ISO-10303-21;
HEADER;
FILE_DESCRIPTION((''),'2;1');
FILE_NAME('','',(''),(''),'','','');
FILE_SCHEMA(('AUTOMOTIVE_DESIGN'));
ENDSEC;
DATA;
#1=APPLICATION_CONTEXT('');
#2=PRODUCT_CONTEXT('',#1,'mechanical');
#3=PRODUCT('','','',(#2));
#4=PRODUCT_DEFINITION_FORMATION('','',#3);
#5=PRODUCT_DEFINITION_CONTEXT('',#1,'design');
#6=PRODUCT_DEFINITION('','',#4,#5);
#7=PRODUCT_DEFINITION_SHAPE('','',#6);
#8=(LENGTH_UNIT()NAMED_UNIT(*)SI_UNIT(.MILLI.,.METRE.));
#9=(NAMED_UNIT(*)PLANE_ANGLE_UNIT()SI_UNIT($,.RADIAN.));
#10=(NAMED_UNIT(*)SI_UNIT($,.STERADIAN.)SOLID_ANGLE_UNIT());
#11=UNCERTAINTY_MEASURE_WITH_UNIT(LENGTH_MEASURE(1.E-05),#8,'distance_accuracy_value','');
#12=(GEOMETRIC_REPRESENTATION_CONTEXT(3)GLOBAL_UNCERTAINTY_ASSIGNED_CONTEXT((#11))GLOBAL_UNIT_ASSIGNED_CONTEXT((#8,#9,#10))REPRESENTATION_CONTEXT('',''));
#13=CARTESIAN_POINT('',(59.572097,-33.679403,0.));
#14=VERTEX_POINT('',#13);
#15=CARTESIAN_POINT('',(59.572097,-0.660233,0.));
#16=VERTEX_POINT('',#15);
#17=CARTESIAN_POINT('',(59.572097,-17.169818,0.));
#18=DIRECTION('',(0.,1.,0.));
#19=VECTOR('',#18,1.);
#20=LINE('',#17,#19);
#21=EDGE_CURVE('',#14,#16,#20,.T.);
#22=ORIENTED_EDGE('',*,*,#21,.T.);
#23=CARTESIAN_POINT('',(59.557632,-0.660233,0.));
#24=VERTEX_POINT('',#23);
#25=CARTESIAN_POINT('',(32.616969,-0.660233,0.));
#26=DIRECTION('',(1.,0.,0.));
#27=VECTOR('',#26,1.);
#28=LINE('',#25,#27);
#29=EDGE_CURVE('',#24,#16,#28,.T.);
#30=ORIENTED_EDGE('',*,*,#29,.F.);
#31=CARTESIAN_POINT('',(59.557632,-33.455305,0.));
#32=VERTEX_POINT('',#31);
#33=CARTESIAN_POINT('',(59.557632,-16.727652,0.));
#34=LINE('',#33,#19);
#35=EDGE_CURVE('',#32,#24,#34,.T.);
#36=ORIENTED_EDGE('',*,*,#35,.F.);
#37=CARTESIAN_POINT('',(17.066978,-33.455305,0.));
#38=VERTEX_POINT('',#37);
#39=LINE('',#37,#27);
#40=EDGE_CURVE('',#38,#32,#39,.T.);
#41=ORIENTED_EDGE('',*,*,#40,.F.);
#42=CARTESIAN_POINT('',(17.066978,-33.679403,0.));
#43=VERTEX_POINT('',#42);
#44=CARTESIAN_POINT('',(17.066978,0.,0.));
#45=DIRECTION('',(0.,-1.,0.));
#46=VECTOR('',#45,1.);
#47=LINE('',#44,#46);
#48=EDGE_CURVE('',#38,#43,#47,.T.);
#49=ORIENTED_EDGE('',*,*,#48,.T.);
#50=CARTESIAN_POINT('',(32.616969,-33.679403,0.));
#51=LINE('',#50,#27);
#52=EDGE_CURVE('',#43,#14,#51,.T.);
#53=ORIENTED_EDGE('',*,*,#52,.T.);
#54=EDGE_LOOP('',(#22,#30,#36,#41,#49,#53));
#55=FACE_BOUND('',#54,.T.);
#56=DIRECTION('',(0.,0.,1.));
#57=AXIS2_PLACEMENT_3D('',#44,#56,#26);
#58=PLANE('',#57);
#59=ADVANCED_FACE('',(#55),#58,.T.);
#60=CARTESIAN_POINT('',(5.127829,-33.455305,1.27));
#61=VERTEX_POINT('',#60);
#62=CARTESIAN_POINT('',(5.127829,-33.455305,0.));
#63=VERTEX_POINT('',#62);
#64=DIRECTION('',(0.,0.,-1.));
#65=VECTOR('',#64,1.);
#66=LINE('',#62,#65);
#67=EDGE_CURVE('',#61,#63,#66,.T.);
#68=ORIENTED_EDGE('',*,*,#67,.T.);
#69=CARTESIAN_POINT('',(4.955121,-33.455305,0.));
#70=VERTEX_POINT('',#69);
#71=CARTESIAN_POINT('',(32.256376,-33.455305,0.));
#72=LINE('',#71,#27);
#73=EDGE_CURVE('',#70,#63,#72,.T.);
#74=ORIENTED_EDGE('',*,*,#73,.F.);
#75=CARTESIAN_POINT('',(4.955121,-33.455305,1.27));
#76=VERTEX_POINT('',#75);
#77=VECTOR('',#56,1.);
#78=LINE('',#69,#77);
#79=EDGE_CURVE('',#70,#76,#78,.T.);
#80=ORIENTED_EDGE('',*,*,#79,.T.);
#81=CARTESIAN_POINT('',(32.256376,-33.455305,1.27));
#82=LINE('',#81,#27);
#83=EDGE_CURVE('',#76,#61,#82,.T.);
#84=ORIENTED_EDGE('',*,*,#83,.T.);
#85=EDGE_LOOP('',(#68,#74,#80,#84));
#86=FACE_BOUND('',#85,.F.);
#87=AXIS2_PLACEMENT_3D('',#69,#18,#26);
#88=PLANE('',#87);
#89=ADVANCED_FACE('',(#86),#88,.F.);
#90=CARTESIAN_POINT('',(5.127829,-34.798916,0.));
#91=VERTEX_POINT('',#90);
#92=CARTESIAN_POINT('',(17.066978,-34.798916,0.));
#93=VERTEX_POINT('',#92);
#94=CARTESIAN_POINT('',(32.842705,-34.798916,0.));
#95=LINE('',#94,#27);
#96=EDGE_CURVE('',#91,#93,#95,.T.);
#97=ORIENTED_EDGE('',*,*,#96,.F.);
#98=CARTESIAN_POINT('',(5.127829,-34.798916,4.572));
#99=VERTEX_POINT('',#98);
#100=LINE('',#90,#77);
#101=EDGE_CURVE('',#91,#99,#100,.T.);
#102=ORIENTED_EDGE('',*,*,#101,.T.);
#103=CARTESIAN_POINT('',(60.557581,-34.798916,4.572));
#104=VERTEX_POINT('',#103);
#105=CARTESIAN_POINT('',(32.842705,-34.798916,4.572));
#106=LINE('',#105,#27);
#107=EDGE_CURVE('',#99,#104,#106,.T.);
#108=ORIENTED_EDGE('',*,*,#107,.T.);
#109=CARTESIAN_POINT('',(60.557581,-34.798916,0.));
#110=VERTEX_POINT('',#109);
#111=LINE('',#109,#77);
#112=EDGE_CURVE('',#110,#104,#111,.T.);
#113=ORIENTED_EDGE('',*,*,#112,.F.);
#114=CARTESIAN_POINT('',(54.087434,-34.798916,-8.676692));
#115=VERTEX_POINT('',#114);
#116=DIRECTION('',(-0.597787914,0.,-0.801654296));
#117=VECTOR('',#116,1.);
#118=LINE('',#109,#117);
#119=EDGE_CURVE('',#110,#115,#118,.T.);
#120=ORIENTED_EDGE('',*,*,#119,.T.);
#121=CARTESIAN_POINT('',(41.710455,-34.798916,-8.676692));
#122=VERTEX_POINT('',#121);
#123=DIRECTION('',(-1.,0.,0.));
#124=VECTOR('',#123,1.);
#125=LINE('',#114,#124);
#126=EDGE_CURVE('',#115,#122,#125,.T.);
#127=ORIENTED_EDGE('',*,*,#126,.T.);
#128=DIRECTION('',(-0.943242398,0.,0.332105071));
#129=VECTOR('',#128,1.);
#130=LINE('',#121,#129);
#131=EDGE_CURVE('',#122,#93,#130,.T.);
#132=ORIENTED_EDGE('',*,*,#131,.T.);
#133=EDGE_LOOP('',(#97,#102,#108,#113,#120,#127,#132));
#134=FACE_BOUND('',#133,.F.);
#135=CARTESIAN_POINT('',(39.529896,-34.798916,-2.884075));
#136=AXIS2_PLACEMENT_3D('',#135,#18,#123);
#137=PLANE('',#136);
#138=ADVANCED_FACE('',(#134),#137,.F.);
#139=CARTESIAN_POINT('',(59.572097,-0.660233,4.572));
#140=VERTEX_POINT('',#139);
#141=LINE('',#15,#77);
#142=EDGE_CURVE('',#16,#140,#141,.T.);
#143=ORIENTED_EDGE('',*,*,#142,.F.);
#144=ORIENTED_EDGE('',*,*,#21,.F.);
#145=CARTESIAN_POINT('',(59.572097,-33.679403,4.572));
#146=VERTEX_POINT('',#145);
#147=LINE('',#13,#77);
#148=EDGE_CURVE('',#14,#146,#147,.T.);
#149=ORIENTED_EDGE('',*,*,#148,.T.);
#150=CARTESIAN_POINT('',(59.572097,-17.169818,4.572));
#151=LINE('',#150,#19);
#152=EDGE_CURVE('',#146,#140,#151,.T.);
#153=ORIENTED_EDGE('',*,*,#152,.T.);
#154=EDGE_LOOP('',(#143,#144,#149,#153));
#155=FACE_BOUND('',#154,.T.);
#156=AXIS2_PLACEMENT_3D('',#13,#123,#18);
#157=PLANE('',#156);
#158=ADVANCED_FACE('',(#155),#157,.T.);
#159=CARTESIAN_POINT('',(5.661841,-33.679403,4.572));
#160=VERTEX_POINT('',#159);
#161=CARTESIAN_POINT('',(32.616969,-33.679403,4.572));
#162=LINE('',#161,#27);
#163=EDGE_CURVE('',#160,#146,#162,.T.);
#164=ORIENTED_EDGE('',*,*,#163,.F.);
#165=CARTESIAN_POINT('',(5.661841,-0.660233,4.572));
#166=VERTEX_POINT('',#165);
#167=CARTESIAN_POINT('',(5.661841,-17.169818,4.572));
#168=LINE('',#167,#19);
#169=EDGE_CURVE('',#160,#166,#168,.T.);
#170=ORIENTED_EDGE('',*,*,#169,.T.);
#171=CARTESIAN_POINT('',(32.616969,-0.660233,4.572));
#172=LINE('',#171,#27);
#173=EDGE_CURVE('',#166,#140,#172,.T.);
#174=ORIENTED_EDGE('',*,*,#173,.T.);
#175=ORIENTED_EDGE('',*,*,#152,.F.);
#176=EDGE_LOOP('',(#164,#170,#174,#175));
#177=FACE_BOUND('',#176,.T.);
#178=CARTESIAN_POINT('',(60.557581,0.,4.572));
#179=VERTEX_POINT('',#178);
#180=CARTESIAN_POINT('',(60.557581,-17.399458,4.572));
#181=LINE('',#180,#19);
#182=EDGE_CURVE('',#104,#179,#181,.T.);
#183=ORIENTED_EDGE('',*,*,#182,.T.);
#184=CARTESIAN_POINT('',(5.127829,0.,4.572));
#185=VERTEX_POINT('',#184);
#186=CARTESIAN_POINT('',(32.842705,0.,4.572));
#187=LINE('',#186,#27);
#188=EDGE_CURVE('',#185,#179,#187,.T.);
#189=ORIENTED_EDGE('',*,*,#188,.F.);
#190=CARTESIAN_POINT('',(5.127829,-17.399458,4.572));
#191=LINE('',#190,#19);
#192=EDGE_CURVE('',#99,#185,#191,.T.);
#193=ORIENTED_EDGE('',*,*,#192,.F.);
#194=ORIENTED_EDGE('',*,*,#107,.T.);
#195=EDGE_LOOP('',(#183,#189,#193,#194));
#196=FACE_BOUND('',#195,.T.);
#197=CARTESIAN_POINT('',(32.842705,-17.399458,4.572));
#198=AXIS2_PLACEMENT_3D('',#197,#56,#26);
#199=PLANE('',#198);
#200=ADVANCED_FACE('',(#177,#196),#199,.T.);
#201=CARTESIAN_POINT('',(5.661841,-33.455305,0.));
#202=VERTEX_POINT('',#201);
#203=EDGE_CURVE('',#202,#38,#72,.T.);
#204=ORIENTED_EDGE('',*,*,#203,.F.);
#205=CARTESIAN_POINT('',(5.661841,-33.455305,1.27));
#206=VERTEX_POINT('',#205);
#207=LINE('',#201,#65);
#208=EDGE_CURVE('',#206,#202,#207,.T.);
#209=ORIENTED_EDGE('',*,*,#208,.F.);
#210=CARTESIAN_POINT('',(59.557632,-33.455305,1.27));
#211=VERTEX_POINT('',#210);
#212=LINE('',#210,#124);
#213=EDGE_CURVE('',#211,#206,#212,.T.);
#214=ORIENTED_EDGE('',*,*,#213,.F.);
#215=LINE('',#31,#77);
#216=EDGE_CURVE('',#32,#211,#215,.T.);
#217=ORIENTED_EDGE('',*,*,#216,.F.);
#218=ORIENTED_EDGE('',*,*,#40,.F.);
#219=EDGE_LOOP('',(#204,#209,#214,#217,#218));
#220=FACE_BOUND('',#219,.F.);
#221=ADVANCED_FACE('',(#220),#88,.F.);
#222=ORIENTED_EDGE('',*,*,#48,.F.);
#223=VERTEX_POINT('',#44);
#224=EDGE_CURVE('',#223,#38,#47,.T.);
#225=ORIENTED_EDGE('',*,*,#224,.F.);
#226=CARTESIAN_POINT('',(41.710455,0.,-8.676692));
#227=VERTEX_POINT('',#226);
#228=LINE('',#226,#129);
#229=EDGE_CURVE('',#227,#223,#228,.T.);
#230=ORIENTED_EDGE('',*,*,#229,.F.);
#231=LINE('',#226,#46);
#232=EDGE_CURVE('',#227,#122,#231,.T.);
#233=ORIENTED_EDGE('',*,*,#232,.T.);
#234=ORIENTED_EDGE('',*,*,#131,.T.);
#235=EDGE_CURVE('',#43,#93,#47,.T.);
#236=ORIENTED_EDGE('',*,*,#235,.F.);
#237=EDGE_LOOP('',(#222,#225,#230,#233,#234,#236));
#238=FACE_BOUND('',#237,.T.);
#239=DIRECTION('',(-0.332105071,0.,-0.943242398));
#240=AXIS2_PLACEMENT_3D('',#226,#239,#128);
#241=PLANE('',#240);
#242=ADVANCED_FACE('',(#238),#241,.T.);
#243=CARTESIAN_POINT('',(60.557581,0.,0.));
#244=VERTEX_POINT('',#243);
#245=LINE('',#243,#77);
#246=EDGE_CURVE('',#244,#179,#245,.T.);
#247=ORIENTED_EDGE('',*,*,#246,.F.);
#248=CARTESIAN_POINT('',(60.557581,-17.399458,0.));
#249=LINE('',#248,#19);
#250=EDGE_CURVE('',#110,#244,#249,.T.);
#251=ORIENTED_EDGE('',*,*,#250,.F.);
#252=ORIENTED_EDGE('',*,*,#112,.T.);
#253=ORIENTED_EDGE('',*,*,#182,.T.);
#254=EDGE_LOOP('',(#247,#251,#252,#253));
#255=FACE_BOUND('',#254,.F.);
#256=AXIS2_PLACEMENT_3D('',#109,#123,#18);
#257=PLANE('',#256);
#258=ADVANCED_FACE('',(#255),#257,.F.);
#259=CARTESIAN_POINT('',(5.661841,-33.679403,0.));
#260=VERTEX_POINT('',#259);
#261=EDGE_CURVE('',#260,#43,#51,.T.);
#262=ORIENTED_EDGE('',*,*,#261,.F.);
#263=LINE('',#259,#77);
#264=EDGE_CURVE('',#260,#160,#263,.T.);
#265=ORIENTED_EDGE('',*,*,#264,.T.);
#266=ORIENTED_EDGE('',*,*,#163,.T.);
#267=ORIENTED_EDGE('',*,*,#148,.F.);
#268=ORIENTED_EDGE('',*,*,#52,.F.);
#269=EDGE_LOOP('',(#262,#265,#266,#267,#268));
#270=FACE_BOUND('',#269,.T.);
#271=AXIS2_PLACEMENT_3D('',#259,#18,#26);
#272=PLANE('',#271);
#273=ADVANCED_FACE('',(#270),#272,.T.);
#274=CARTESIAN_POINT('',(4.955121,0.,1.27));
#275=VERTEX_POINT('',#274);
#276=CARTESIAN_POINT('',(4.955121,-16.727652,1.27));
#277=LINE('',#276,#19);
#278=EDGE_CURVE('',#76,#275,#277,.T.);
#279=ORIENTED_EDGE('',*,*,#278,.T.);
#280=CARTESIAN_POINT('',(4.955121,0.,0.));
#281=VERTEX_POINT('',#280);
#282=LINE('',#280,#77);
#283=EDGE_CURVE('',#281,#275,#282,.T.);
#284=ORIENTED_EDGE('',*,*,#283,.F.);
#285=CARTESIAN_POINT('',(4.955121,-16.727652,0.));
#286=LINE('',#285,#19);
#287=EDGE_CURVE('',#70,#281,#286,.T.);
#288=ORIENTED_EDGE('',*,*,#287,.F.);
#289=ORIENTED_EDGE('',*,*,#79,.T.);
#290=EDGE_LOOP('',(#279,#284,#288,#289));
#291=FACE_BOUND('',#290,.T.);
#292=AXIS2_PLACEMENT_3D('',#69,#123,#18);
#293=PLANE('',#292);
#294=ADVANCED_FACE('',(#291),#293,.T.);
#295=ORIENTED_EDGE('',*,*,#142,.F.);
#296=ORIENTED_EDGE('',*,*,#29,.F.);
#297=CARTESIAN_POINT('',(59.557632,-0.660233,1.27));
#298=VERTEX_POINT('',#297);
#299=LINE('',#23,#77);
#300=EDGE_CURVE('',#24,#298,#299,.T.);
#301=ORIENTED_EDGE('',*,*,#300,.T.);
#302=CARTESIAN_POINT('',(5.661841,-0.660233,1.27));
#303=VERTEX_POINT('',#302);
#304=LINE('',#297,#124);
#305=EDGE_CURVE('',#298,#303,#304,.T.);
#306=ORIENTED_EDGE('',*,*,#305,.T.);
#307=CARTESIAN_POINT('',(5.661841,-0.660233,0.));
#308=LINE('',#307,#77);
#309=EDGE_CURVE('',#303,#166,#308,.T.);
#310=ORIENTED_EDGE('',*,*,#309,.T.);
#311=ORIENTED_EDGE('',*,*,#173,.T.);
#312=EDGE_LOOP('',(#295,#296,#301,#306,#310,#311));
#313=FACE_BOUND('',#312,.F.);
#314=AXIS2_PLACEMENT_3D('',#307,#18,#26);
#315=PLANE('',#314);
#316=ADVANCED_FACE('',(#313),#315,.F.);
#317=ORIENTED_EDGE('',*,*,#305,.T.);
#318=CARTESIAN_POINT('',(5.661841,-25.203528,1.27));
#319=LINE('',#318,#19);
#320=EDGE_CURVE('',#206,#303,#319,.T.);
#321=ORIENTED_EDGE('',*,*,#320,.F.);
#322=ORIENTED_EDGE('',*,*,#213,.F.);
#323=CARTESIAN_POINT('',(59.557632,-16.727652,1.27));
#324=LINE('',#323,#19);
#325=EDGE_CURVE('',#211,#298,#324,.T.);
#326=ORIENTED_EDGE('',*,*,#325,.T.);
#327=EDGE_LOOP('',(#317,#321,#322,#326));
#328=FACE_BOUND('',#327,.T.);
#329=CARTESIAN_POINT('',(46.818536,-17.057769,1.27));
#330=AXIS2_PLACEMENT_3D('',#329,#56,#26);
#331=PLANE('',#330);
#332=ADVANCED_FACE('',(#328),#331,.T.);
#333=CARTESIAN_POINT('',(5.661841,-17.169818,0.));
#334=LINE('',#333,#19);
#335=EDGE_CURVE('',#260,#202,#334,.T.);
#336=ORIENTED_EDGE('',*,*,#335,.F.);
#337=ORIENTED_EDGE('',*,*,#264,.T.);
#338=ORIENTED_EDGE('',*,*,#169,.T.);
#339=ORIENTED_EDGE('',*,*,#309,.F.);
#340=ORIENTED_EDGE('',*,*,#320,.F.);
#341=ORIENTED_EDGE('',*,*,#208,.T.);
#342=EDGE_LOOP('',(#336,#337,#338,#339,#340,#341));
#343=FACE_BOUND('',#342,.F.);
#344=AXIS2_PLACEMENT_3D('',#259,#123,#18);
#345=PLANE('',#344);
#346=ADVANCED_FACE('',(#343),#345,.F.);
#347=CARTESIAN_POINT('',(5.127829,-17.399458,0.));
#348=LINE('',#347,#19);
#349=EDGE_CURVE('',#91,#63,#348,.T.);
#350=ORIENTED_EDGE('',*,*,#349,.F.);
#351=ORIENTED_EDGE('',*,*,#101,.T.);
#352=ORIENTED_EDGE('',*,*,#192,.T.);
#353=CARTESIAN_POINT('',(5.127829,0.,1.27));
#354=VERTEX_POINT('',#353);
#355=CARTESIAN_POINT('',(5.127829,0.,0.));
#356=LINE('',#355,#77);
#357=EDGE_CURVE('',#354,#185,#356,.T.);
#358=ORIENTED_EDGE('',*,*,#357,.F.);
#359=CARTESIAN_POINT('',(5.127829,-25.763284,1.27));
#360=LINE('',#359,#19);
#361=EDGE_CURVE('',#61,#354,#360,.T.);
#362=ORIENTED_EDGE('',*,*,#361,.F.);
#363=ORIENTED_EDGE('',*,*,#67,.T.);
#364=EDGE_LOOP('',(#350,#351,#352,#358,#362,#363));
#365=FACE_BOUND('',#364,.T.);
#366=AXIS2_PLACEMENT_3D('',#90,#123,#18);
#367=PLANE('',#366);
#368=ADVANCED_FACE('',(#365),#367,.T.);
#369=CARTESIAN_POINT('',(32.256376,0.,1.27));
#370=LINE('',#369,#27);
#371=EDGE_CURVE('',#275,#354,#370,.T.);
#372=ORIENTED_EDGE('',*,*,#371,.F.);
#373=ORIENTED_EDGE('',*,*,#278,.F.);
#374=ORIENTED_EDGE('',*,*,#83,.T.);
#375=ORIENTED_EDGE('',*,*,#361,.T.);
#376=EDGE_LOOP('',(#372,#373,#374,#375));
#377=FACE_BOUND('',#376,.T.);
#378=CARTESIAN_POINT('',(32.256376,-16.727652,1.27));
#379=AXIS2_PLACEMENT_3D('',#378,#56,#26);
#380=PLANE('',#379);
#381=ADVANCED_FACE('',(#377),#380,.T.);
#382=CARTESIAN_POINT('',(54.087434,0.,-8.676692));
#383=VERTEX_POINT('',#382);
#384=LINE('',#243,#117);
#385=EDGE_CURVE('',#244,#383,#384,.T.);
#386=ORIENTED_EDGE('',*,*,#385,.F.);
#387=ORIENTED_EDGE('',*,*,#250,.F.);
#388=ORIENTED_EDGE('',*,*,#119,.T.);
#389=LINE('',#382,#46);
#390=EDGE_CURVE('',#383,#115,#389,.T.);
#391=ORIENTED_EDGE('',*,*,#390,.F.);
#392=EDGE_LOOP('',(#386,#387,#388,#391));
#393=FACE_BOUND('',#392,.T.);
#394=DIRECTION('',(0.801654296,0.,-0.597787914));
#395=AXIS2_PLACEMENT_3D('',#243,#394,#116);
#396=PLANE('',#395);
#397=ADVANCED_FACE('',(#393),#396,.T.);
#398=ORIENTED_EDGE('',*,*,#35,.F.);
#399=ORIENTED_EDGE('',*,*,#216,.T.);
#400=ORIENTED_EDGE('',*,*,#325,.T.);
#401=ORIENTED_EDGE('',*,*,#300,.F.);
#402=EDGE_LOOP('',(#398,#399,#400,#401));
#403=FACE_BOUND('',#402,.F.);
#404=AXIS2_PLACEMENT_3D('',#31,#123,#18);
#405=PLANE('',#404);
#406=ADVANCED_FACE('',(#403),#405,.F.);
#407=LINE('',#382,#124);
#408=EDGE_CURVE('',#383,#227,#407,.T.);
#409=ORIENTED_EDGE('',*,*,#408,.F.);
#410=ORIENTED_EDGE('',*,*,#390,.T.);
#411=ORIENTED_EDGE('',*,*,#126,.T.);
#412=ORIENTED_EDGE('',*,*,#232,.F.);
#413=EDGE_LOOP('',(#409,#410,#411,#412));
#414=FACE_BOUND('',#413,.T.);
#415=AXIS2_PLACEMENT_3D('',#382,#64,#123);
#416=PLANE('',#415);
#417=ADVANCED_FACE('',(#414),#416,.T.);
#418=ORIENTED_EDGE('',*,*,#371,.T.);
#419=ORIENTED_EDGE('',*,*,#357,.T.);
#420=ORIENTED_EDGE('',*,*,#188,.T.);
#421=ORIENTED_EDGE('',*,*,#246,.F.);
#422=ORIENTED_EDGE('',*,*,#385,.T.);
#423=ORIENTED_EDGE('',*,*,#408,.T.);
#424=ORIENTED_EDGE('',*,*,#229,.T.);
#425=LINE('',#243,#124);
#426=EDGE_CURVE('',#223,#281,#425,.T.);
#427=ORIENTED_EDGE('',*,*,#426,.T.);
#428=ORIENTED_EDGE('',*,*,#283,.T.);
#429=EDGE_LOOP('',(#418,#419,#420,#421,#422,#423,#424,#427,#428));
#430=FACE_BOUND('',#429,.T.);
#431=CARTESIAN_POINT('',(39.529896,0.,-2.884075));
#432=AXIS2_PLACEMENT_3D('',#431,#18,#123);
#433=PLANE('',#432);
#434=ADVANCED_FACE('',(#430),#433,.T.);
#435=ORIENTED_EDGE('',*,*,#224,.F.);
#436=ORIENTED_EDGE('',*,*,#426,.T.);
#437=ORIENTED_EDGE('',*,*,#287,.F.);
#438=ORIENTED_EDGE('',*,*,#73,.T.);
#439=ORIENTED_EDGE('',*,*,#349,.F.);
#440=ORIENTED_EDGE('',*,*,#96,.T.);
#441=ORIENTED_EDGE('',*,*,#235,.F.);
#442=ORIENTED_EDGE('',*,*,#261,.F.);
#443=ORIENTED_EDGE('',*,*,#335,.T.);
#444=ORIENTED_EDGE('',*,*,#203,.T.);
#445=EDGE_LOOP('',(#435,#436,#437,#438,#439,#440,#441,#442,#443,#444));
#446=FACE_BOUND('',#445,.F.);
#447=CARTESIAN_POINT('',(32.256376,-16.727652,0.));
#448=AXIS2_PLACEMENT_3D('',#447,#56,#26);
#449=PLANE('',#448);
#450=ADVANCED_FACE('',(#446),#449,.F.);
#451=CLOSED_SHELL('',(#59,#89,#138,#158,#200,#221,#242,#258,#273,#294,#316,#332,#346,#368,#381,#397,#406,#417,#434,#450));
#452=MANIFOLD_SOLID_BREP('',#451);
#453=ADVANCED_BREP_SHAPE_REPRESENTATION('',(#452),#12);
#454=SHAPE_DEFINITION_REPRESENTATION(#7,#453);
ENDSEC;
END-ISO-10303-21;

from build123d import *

# Parameters (mm, degrees)
F0_W     = 55.4297519848
F0_H     = 34.7989164293
F0_W_2   = 53.9102558978
F0_H_2   = 33.0191702233
F1_DEPTH = 4.572
F2_W     = 54.6025102958
F2_H     = 33.4553048015
F3_DEPTH = 1.27
F5_DEPTH = 34.7989164293
F6_W     = 13.8362795115
F6_H     = 32.7950716601
F7_DEPTH = 8.382


with BuildPart() as f1:
    # F0 (on Top) → F1 (new body)
    with BuildSketch(Plane.XY):
        with Locations((32.8427054919, -17.3994582146)):
            Rectangle(F0_W, F0_H)
        with Locations((32.6169689652, -17.169818253)):
            Rectangle(F0_W_2, F0_H_2, mode=Mode.SUBTRACT)
    extrude(amount=F1_DEPTH)

    # F2 (on Top) → F3 (join)
    with BuildSketch(Plane.XY):
        with Locations((32.2563764639, -16.7276524007)):
            Rectangle(F2_W, F2_H)
    extrude(amount=F3_DEPTH)

    # F4 (on face) → F5 (join, through all)
    with BuildSketch(Plane(origin=(0, 0, 0), x_dir=(-1, 0, 0), z_dir=(0, 1, 0))):
        Polygon((-41.7104549706, 0), (-54.087433964, 0), (-60.5575814843, 0), (-54.087433964, -8.6766919121), (-41.7104549706, -8.6766919121), (-17.0669779181, 0), align=None)
    extrude(amount=-F5_DEPTH)

    # F6 (on face) → F7 (join)
    with BuildSketch(Plane.XY.offset(1.27)):
        with Locations((46.8185357749, -17.0577689714)):
            Rectangle(F6_W, F6_H)
    extrude(amount=-F7_DEPTH)


solid = f1.part
